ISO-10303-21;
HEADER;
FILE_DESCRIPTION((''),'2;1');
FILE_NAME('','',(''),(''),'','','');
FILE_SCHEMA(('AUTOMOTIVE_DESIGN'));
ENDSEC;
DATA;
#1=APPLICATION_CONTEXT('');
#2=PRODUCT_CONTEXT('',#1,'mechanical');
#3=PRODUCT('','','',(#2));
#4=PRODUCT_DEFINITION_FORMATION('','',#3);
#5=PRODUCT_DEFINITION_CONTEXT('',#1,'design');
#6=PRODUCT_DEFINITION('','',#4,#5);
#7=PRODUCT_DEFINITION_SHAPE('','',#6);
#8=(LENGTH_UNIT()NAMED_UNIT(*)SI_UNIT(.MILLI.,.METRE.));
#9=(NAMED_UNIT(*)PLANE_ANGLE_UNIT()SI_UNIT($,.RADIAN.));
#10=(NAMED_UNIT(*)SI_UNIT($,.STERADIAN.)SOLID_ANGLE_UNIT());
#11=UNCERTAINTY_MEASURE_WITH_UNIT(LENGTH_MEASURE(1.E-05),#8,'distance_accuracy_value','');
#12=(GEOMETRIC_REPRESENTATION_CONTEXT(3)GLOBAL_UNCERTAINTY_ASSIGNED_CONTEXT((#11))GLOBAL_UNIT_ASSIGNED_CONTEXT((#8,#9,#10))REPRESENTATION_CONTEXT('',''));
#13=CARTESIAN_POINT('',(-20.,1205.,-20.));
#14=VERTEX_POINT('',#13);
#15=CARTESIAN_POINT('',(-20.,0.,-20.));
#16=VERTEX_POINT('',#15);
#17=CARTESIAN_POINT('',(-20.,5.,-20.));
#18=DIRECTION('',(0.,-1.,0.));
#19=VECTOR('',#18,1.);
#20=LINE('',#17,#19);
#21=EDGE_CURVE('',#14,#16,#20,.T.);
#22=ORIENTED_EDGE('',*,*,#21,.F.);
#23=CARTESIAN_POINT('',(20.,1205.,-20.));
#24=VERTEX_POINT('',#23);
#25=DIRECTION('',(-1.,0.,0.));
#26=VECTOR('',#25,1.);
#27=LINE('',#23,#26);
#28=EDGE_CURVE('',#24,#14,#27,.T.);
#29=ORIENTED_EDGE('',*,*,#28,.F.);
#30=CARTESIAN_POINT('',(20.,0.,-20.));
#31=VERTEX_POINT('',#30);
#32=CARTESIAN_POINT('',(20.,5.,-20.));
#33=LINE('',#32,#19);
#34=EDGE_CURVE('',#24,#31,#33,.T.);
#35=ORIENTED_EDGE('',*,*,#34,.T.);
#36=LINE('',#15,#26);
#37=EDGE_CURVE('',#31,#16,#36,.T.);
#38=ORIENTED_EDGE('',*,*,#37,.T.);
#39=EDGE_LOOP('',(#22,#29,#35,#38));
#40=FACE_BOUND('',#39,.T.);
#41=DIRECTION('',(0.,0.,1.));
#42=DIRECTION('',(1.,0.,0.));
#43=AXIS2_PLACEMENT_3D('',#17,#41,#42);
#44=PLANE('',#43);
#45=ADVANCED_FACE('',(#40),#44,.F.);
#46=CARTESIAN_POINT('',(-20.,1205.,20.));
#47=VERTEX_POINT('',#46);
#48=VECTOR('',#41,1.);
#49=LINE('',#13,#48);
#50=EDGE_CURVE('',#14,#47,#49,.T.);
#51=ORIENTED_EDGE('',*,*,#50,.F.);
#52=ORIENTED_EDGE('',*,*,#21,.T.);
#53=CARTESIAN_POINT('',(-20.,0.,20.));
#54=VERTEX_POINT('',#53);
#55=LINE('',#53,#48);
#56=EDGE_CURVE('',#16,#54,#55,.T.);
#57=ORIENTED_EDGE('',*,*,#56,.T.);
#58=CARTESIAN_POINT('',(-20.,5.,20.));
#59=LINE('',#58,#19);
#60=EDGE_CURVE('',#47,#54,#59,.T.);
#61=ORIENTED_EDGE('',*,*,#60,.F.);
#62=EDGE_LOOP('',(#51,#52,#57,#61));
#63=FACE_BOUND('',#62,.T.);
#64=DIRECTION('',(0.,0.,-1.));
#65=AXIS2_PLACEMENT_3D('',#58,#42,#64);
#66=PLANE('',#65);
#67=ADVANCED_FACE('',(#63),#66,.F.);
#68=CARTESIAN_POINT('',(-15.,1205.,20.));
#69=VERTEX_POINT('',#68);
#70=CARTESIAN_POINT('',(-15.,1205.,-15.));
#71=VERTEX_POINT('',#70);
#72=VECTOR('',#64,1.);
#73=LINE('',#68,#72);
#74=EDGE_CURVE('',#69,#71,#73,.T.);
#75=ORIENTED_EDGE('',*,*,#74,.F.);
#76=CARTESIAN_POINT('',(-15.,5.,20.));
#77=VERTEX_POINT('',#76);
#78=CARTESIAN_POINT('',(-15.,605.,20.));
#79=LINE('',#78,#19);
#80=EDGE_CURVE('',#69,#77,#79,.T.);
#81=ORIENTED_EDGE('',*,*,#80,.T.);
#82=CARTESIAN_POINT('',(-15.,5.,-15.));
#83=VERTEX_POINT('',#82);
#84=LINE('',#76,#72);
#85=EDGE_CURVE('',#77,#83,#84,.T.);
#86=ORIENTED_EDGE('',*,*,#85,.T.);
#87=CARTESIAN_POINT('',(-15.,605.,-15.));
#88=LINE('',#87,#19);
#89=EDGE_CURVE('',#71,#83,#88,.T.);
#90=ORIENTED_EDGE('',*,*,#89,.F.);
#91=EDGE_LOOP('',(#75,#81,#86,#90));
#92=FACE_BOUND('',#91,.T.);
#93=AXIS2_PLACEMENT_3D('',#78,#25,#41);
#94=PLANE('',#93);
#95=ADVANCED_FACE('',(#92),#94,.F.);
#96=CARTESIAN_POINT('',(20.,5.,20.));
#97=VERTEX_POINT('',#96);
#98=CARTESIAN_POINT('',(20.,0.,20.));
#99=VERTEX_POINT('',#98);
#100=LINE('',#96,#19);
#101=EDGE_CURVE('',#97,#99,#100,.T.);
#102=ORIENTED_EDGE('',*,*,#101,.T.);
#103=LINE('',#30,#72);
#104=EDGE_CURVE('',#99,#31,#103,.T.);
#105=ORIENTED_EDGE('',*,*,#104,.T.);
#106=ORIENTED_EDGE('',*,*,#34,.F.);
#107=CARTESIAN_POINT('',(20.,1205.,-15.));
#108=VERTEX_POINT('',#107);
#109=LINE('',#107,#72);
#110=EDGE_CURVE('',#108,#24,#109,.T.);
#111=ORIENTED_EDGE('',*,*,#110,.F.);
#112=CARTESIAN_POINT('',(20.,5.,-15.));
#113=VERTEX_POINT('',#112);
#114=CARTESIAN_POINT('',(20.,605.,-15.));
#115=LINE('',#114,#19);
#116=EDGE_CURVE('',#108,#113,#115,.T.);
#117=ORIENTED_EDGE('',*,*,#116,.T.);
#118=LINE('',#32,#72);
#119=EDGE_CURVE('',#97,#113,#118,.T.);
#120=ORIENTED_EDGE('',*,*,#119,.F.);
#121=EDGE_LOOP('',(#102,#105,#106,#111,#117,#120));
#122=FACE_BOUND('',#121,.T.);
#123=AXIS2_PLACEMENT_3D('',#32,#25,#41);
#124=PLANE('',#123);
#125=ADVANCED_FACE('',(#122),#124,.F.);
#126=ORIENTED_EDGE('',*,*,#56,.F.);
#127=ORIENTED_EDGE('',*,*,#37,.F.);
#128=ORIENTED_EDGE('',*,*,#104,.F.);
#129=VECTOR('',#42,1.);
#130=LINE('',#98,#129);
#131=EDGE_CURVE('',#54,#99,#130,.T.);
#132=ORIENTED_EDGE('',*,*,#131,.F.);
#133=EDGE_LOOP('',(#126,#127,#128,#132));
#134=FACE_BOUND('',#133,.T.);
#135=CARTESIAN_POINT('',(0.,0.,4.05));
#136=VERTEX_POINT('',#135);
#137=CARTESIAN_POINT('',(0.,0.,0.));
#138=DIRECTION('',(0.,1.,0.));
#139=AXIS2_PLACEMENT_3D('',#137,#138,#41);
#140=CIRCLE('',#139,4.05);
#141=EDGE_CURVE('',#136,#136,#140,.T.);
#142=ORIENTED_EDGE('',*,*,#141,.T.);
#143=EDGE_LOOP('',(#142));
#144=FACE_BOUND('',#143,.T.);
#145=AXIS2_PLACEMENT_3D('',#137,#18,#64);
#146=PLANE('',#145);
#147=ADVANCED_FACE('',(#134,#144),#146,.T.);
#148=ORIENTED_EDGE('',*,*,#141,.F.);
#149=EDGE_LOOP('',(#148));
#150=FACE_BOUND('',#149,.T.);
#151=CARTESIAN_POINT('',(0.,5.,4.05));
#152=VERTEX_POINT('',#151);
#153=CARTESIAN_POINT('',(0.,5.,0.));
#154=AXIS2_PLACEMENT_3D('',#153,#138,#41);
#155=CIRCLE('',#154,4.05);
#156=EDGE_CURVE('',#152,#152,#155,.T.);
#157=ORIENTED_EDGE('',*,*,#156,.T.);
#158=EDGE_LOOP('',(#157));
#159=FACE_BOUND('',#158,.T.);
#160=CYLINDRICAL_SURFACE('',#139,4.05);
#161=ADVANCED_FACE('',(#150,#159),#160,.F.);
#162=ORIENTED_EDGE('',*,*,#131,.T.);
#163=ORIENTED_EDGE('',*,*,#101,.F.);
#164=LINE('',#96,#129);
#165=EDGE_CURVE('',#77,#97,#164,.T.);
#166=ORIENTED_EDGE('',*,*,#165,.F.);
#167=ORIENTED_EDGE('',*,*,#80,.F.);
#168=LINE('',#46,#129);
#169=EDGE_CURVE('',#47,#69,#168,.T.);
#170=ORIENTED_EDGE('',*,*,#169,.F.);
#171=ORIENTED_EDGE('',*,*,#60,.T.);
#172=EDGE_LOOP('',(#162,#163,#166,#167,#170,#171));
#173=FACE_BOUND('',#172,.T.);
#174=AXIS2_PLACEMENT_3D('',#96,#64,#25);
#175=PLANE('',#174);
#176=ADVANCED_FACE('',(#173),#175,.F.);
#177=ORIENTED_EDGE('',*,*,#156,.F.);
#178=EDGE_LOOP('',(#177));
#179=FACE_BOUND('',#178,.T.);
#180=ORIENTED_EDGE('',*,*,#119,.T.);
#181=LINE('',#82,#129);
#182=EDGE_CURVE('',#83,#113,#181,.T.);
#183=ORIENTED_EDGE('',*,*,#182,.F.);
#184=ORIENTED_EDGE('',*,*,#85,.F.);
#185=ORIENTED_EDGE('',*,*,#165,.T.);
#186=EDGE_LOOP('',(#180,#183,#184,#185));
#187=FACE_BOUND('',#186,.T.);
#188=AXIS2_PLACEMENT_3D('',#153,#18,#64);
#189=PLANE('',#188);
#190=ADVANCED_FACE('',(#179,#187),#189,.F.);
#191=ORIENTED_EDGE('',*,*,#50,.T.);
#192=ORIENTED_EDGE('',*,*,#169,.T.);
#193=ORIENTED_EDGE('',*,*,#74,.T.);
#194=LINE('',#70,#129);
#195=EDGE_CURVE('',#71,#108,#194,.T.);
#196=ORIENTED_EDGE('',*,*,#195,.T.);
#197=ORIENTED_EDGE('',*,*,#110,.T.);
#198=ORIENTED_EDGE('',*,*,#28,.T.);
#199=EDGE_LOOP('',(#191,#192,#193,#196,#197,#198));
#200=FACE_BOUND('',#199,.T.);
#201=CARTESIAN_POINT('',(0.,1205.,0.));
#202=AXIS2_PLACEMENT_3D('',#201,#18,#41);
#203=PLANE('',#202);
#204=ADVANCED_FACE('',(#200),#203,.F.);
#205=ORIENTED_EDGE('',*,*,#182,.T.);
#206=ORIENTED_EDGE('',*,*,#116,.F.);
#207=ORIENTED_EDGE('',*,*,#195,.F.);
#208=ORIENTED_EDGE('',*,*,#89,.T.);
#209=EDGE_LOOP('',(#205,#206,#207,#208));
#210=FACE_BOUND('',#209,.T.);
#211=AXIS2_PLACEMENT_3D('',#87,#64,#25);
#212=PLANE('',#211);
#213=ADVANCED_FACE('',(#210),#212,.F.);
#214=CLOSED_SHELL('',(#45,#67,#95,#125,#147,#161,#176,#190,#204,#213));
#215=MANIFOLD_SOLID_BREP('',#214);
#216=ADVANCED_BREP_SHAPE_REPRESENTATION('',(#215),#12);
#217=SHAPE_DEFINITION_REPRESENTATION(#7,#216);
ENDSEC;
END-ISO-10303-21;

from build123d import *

# Parameters (mm, degrees)
SKETCH_1_W          = 40
SKETCH_1_H          = 40
EXTRUDE_1_DEPTH     = 5
SKETCH_2_R          = 4.05
CUT_EXTRUDE_1_DEPTH = 5
EXTRUDE_2_DEPTH     = 600


with BuildPart() as part:
    # 草图1 → 凸台-拉伸1 (new body)
    with BuildSketch(Plane(origin=(0, 0, 0), x_dir=(1, 0, 0), z_dir=(0, 1, 0))):
        Rectangle(SKETCH_1_W, SKETCH_1_H)
    extrude(amount=EXTRUDE_1_DEPTH)

    # 草图2 → 切除-拉伸1 (cut)
    with BuildSketch(Plane(origin=(0, 5, 0), x_dir=(1, 0, 0), z_dir=(0, 1, 0))):
        with Locations(Location((0, 0, 0), (0, 0, 270))):
            Circle(SKETCH_2_R)
    extrude(amount=-CUT_EXTRUDE_1_DEPTH, mode=Mode.SUBTRACT)

    # 草图3 → 凸台-拉伸2 (add)
    with BuildSketch(Plane(origin=(0, 5, 0), x_dir=(1, 0, 0), z_dir=(0, 1, 0))):
        Polygon((-20, 20), (-20, -20), (-15, -20), (-15, 15), (20, 15), (20, 20), align=None)
    extrude_2 = extrude(amount=EXTRUDE_2_DEPTH)

    # 镜向1: 凸台-拉伸2 across plane
    add(extrude_2.mirror(Plane.ZX.offset(605)))


solid = part.part
